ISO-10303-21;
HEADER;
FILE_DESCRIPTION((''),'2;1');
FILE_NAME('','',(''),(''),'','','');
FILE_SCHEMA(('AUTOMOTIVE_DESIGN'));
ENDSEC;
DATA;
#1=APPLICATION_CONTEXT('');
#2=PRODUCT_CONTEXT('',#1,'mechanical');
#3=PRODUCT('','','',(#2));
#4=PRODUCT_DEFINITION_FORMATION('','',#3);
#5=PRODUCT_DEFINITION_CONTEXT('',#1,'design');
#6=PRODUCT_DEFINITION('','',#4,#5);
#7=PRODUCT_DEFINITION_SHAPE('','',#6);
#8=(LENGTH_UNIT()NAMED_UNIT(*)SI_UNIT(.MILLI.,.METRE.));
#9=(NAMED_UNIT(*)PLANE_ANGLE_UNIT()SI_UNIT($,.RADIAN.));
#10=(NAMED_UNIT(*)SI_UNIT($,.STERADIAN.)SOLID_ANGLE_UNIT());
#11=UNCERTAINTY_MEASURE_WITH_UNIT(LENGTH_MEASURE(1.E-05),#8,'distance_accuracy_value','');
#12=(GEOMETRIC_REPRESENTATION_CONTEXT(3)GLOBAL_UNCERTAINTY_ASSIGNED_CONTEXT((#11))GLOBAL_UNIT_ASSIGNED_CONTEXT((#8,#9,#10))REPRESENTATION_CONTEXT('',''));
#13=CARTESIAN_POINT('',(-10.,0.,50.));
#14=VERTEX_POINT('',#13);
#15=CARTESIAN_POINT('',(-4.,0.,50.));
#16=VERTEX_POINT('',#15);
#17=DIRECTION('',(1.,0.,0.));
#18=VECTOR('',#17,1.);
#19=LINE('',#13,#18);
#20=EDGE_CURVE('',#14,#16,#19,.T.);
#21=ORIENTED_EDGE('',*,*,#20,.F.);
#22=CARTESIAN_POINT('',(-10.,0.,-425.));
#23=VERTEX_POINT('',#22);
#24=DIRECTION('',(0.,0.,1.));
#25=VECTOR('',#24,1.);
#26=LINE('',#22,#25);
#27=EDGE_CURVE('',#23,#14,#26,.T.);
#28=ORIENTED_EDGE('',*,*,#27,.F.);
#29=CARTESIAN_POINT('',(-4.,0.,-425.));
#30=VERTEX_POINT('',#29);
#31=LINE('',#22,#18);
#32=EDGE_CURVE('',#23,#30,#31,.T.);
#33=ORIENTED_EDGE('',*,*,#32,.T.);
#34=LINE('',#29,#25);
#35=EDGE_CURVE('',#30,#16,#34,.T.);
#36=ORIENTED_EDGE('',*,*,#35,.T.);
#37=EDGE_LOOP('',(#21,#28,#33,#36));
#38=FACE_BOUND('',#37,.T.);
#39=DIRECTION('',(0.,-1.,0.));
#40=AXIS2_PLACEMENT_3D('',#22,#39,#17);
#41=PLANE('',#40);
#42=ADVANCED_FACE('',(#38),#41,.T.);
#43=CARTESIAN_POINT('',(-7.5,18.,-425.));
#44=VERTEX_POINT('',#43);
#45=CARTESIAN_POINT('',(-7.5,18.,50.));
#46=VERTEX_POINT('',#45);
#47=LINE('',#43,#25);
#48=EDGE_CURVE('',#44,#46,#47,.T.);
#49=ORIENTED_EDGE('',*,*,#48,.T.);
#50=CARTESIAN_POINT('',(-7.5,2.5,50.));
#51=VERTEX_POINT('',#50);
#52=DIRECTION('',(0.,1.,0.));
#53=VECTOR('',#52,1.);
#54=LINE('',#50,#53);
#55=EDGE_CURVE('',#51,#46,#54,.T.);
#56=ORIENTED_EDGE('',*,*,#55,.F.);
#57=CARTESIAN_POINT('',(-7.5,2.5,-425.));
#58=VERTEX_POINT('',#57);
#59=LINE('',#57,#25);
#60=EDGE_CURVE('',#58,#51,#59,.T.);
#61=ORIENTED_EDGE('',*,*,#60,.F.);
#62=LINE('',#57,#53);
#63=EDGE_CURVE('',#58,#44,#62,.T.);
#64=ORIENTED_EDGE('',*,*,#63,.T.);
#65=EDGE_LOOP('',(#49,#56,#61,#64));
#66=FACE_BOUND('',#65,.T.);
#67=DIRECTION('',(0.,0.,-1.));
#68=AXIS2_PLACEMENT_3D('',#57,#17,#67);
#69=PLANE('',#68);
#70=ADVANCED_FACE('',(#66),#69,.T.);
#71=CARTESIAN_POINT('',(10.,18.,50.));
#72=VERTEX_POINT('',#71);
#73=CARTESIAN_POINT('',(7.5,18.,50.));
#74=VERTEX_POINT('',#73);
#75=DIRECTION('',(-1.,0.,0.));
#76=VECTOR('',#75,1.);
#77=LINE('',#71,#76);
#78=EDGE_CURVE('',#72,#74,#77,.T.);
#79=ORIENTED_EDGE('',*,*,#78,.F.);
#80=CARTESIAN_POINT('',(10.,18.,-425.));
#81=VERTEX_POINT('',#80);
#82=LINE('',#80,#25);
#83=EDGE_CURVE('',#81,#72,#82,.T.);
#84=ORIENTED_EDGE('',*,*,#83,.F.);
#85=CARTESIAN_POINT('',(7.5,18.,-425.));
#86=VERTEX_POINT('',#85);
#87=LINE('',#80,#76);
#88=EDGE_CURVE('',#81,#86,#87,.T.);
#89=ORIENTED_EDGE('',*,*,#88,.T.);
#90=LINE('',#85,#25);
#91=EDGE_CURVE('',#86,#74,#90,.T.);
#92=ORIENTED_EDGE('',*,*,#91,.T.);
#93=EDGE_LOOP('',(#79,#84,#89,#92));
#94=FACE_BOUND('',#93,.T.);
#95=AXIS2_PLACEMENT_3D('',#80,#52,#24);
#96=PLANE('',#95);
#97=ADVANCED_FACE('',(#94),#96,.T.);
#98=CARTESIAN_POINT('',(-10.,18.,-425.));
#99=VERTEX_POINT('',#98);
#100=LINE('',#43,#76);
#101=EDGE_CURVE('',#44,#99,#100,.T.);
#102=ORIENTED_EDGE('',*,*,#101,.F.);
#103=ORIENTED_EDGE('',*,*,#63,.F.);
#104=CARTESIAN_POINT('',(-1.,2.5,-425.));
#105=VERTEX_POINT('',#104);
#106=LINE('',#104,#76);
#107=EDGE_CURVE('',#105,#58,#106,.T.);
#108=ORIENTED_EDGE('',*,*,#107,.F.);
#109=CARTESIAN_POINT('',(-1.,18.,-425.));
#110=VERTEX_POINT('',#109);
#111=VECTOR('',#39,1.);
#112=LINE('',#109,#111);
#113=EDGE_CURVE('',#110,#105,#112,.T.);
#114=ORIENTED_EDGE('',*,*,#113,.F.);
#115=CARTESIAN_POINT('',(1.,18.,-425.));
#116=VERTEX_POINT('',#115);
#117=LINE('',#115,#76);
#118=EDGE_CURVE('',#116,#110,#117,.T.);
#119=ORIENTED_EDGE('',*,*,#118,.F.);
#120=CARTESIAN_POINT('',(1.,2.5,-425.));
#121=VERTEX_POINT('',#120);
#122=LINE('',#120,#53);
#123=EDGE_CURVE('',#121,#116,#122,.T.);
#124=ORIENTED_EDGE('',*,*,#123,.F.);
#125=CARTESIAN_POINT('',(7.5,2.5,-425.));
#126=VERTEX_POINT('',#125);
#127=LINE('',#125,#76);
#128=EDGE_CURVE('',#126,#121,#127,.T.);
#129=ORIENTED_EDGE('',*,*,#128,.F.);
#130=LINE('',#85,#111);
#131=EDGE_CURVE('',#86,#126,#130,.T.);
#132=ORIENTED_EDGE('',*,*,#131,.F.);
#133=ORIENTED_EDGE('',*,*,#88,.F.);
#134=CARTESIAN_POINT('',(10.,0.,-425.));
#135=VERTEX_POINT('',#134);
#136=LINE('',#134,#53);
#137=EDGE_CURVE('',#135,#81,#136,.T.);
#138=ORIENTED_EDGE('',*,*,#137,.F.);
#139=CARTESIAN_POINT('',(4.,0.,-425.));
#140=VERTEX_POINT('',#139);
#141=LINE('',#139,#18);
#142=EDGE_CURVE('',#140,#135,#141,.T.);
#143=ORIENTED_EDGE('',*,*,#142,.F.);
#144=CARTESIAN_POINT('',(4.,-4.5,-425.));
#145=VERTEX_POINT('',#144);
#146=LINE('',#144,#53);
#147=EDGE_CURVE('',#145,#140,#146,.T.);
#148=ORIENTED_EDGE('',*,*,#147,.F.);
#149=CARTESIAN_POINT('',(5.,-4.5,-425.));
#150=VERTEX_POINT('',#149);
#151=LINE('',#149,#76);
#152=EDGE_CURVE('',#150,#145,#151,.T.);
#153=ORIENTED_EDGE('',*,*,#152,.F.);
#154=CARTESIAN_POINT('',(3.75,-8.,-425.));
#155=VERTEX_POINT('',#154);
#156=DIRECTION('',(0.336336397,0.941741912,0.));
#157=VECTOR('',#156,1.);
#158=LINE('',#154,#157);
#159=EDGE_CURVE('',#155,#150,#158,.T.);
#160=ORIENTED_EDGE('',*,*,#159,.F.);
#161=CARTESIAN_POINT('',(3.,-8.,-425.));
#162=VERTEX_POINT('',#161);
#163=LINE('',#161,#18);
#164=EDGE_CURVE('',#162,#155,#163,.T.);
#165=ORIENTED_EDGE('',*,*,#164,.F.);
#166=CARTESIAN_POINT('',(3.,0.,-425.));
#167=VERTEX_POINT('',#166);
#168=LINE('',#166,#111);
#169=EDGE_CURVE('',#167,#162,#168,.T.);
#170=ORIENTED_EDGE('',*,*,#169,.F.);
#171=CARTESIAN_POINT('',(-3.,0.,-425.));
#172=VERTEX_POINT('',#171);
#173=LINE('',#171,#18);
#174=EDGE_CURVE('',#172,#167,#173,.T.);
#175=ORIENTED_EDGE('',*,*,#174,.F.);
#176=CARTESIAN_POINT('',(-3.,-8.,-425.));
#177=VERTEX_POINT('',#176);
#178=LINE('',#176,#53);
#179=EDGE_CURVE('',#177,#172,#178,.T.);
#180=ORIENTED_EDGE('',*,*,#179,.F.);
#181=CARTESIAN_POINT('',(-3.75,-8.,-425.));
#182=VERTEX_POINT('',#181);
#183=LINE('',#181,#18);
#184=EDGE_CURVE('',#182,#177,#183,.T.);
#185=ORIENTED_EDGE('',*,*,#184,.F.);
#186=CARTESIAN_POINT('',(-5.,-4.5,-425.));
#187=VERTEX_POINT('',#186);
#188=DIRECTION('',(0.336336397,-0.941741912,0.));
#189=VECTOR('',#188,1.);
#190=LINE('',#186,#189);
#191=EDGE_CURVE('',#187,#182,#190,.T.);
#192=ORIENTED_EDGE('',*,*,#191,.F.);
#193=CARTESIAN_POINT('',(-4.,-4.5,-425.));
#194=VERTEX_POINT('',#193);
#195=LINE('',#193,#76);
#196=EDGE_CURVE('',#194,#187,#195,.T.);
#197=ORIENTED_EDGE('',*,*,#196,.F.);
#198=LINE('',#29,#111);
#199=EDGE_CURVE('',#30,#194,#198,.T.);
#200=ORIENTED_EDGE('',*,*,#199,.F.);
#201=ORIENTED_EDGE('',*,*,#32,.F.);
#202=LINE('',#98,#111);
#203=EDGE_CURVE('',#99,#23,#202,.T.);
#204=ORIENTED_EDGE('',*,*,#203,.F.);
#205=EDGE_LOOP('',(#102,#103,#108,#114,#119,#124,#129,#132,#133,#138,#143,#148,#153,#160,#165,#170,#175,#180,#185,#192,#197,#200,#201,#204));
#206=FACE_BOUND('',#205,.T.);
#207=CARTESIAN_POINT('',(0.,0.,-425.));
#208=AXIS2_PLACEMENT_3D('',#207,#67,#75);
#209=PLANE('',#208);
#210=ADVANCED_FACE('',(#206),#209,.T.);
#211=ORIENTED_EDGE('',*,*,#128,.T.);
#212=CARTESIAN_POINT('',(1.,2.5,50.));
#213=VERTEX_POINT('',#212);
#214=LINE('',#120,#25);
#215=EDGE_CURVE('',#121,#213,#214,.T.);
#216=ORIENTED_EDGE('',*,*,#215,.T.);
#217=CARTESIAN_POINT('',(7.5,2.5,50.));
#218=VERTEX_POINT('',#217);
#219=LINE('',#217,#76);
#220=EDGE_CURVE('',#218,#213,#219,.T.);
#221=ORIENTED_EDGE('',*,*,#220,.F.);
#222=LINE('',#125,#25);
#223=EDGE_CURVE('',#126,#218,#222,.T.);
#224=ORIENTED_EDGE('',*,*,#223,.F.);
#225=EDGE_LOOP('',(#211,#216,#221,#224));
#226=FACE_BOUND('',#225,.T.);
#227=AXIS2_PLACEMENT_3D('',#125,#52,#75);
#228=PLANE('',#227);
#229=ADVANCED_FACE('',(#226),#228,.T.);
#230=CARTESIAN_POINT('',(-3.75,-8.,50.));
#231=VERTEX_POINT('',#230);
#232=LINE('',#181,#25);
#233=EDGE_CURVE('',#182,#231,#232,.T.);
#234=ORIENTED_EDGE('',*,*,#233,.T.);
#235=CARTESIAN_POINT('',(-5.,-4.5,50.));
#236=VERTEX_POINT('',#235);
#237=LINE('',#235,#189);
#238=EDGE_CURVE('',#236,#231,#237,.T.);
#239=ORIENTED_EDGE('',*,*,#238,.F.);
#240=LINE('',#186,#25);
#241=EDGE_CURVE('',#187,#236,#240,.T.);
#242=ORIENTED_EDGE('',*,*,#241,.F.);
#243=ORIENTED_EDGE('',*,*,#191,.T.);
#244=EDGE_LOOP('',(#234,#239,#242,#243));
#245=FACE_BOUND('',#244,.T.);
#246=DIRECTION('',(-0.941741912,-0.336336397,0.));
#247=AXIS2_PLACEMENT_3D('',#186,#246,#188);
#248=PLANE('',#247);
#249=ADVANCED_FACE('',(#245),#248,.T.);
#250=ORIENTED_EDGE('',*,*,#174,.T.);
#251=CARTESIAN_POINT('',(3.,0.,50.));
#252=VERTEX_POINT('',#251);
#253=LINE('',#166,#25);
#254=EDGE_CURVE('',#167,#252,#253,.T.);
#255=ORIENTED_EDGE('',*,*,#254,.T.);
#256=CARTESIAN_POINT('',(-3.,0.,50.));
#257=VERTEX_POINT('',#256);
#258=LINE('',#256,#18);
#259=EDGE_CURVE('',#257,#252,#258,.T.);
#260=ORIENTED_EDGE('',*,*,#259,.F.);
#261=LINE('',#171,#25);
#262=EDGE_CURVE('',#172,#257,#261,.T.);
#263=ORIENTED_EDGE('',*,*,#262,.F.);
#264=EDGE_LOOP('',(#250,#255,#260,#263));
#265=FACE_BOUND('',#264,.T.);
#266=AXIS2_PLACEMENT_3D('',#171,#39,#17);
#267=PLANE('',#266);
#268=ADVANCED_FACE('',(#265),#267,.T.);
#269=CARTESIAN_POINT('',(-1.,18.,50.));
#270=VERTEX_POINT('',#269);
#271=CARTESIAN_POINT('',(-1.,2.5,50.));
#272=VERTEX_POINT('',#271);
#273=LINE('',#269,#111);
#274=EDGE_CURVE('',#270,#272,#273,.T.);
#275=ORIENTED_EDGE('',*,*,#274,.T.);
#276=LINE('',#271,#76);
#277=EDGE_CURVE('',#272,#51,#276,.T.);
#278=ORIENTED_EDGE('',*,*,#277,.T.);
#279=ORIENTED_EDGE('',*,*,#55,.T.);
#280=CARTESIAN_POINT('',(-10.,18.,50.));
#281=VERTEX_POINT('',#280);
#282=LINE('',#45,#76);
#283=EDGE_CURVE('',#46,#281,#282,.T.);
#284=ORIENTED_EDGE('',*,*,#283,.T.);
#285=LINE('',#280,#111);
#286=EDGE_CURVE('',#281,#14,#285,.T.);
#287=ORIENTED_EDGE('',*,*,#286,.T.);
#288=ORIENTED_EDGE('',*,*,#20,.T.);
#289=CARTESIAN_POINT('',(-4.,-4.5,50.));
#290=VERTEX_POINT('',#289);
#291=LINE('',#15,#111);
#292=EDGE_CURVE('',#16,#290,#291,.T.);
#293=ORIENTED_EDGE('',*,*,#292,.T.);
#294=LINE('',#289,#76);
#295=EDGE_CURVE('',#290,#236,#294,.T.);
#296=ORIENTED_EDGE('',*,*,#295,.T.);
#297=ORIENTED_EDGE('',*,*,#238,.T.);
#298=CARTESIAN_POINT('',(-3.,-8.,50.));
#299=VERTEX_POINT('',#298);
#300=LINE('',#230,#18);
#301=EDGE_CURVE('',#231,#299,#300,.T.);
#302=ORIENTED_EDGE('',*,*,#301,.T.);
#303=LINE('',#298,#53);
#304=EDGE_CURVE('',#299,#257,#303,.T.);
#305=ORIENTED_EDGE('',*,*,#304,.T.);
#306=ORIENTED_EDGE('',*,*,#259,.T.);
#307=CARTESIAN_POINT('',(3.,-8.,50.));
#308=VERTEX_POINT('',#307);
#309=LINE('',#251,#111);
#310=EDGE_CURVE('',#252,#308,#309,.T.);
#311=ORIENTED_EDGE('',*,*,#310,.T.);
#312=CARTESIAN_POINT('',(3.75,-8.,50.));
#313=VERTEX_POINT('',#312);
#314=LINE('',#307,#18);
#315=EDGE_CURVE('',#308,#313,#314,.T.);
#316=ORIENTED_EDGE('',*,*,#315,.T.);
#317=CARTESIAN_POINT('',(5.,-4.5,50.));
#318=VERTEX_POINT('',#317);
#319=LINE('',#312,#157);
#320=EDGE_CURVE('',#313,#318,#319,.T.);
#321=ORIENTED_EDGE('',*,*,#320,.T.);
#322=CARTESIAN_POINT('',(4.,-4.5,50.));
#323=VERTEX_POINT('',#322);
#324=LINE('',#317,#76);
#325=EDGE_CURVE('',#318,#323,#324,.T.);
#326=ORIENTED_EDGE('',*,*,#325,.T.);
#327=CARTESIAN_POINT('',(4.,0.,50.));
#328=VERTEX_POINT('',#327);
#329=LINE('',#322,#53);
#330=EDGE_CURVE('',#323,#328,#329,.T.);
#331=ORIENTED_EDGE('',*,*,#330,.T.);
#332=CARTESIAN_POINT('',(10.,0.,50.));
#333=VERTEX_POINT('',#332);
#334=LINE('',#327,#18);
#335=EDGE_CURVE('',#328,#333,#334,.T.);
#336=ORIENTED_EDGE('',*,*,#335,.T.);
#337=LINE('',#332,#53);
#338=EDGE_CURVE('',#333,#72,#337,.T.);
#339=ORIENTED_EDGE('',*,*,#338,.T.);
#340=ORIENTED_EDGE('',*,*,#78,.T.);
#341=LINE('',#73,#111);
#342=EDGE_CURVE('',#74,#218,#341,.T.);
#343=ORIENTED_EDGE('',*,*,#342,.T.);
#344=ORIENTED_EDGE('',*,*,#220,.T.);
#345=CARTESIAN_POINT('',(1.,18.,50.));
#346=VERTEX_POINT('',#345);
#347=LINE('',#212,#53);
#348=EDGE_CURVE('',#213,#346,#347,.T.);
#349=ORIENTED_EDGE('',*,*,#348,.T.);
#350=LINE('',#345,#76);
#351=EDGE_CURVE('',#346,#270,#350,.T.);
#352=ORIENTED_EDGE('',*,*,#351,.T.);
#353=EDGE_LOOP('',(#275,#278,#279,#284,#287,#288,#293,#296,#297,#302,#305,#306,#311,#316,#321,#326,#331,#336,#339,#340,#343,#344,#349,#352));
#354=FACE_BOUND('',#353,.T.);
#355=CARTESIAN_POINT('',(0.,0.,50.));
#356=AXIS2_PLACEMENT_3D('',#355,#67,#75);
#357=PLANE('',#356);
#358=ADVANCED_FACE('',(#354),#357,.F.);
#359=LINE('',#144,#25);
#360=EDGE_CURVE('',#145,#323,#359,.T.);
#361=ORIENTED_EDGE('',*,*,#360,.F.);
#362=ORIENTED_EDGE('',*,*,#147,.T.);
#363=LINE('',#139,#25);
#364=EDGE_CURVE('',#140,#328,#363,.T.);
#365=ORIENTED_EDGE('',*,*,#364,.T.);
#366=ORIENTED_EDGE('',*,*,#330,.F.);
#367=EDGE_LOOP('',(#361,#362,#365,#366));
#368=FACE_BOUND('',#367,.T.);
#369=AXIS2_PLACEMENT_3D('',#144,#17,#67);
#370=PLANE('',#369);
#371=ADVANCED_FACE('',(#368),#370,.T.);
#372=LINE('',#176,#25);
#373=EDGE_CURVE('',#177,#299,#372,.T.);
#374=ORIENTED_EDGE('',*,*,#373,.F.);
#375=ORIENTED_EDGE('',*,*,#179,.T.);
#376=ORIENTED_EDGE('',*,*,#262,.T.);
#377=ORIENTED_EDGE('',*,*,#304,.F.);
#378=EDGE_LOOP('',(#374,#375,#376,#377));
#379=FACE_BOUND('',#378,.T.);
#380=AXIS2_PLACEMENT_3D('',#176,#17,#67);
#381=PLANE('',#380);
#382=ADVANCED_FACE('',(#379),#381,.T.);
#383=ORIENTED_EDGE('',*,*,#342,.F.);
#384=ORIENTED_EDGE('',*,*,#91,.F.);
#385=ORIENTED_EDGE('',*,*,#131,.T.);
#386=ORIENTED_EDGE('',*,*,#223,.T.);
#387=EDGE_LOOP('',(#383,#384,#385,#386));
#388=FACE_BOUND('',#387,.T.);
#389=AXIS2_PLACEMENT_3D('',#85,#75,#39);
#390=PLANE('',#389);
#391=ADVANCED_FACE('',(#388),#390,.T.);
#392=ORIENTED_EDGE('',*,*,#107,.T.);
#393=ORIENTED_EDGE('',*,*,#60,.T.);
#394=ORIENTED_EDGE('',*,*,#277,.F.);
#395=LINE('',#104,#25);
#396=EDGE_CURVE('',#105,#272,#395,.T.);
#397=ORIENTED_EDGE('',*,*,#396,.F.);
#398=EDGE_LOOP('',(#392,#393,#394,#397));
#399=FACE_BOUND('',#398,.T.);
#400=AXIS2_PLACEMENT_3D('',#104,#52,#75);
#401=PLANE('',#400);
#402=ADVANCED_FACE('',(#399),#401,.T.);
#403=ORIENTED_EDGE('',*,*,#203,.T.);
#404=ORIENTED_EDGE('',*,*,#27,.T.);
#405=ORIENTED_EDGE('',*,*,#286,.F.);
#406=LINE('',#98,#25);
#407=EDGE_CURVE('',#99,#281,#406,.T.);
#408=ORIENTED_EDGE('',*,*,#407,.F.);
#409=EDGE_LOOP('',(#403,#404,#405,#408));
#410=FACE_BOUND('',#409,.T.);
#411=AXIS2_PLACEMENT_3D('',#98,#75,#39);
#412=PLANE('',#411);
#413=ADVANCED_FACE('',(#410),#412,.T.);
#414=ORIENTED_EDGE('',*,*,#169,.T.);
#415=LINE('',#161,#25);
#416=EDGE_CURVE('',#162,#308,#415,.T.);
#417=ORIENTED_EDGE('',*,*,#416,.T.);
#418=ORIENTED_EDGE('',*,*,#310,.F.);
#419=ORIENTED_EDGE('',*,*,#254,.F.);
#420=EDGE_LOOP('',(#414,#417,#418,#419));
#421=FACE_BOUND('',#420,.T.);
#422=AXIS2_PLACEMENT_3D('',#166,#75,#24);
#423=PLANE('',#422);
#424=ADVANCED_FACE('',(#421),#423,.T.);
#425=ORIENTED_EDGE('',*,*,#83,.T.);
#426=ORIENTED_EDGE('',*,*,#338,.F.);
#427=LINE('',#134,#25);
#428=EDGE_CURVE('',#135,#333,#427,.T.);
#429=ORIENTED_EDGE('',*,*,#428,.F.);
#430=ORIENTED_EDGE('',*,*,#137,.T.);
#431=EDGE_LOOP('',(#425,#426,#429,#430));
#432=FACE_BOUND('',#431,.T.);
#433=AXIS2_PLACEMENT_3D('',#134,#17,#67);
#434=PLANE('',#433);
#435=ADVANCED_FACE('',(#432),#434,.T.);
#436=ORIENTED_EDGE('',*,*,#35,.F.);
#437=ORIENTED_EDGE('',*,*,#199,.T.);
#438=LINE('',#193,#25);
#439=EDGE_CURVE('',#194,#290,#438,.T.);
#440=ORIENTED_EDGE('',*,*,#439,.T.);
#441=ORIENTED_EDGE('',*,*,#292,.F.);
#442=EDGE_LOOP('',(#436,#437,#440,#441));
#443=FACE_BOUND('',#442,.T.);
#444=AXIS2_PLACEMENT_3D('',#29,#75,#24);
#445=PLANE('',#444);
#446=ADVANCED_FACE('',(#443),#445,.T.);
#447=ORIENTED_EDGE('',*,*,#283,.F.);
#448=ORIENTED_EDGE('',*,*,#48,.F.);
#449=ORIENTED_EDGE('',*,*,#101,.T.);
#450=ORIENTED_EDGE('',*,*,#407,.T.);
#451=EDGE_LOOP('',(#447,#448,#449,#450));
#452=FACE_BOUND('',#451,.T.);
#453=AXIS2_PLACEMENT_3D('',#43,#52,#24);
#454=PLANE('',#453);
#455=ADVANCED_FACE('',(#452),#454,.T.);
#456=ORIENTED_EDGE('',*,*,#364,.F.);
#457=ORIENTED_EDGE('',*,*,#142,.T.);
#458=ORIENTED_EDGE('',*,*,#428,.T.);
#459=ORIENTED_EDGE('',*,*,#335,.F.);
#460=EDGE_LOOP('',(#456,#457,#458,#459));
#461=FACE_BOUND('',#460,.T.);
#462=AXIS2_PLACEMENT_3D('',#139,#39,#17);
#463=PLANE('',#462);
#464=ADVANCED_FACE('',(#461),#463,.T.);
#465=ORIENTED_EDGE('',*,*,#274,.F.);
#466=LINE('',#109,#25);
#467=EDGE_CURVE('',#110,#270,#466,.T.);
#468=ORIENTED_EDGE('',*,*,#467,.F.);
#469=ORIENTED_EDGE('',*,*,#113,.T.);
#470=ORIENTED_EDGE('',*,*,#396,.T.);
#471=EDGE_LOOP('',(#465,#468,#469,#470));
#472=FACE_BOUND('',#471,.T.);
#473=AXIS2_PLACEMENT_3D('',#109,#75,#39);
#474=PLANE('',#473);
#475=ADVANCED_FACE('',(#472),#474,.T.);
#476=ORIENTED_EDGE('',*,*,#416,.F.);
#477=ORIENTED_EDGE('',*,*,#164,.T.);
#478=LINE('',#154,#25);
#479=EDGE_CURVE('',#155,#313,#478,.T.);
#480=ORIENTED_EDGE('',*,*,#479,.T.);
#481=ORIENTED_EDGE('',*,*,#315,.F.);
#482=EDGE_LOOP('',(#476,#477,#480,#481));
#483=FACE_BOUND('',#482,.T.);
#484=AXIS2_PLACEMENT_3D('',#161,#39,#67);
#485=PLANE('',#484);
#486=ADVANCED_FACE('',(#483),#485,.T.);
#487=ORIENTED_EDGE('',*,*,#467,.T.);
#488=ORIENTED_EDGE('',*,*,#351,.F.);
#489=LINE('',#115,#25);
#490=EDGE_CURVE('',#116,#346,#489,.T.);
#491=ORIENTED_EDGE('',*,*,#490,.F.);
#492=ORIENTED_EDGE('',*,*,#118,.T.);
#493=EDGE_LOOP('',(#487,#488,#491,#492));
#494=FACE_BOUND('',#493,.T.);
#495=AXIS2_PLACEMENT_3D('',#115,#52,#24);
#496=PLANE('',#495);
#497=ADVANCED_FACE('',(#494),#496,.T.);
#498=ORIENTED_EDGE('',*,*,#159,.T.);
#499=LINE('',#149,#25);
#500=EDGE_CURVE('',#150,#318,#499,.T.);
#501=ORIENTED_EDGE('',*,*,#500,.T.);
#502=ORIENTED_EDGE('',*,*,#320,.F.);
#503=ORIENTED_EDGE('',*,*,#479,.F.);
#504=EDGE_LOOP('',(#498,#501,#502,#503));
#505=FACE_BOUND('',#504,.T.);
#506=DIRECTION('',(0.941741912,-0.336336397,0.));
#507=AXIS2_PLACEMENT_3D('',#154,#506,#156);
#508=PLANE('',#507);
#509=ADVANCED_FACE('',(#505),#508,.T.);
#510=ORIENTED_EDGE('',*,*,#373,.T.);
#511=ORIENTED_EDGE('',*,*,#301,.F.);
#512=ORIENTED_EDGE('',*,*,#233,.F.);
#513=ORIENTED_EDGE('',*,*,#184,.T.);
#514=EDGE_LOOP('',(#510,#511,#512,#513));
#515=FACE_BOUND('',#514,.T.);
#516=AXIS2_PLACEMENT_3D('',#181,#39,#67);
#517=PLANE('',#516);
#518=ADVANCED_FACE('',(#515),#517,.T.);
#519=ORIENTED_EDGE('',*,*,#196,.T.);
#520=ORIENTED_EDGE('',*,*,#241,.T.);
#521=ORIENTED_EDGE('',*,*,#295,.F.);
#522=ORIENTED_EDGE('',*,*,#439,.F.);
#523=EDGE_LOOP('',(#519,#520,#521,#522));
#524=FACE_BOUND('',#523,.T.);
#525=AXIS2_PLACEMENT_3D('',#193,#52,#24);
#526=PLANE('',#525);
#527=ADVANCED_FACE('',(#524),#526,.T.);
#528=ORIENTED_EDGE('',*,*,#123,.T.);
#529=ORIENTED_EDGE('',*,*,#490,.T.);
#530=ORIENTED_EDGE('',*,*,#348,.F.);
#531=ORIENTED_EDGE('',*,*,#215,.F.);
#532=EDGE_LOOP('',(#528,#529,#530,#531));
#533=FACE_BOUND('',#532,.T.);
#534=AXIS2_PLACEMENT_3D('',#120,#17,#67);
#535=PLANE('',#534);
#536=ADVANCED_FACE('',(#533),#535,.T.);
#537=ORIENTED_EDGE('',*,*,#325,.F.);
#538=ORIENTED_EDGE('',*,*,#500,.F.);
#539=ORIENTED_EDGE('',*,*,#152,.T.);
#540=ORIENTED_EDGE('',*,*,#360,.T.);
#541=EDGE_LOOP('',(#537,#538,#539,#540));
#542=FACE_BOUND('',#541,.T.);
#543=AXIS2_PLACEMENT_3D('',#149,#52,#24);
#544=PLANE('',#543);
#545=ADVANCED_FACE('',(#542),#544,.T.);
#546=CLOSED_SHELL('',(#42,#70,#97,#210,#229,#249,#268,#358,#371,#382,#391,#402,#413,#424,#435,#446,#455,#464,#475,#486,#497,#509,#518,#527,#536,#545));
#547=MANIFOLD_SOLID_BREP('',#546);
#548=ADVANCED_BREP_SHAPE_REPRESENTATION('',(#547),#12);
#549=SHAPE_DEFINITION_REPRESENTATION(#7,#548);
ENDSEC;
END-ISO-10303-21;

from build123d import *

# Parameters (mm, degrees)
BOSS_EXTRU_1_DEPTH = 475


with BuildPart() as part:
    # Esquisse1 → Boss.-Extru.1 (new body)
    with BuildSketch(Plane.XY.offset(50)):
        Polygon((-1, 2.5), (-7.5, 2.5), (-7.5, 17.999999998), (-10, 17.999999998), (-10, 0), (-4, 0), (-4, -4.5), (-5, -4.5), (-3.75, -8), (-3, -8), (-3, 0), (3, 0), (3, -8), (3.75, -8), (5, -4.5), (4, -4.5), (4, 0), (10, 0), (10, 17.999999998), (7.5, 17.999999998), (7.5, 2.5), (1, 2.5), (1, 17.999999998), (-1, 17.999999998), align=None)
    extrude(amount=-BOSS_EXTRU_1_DEPTH)


solid = part.part
